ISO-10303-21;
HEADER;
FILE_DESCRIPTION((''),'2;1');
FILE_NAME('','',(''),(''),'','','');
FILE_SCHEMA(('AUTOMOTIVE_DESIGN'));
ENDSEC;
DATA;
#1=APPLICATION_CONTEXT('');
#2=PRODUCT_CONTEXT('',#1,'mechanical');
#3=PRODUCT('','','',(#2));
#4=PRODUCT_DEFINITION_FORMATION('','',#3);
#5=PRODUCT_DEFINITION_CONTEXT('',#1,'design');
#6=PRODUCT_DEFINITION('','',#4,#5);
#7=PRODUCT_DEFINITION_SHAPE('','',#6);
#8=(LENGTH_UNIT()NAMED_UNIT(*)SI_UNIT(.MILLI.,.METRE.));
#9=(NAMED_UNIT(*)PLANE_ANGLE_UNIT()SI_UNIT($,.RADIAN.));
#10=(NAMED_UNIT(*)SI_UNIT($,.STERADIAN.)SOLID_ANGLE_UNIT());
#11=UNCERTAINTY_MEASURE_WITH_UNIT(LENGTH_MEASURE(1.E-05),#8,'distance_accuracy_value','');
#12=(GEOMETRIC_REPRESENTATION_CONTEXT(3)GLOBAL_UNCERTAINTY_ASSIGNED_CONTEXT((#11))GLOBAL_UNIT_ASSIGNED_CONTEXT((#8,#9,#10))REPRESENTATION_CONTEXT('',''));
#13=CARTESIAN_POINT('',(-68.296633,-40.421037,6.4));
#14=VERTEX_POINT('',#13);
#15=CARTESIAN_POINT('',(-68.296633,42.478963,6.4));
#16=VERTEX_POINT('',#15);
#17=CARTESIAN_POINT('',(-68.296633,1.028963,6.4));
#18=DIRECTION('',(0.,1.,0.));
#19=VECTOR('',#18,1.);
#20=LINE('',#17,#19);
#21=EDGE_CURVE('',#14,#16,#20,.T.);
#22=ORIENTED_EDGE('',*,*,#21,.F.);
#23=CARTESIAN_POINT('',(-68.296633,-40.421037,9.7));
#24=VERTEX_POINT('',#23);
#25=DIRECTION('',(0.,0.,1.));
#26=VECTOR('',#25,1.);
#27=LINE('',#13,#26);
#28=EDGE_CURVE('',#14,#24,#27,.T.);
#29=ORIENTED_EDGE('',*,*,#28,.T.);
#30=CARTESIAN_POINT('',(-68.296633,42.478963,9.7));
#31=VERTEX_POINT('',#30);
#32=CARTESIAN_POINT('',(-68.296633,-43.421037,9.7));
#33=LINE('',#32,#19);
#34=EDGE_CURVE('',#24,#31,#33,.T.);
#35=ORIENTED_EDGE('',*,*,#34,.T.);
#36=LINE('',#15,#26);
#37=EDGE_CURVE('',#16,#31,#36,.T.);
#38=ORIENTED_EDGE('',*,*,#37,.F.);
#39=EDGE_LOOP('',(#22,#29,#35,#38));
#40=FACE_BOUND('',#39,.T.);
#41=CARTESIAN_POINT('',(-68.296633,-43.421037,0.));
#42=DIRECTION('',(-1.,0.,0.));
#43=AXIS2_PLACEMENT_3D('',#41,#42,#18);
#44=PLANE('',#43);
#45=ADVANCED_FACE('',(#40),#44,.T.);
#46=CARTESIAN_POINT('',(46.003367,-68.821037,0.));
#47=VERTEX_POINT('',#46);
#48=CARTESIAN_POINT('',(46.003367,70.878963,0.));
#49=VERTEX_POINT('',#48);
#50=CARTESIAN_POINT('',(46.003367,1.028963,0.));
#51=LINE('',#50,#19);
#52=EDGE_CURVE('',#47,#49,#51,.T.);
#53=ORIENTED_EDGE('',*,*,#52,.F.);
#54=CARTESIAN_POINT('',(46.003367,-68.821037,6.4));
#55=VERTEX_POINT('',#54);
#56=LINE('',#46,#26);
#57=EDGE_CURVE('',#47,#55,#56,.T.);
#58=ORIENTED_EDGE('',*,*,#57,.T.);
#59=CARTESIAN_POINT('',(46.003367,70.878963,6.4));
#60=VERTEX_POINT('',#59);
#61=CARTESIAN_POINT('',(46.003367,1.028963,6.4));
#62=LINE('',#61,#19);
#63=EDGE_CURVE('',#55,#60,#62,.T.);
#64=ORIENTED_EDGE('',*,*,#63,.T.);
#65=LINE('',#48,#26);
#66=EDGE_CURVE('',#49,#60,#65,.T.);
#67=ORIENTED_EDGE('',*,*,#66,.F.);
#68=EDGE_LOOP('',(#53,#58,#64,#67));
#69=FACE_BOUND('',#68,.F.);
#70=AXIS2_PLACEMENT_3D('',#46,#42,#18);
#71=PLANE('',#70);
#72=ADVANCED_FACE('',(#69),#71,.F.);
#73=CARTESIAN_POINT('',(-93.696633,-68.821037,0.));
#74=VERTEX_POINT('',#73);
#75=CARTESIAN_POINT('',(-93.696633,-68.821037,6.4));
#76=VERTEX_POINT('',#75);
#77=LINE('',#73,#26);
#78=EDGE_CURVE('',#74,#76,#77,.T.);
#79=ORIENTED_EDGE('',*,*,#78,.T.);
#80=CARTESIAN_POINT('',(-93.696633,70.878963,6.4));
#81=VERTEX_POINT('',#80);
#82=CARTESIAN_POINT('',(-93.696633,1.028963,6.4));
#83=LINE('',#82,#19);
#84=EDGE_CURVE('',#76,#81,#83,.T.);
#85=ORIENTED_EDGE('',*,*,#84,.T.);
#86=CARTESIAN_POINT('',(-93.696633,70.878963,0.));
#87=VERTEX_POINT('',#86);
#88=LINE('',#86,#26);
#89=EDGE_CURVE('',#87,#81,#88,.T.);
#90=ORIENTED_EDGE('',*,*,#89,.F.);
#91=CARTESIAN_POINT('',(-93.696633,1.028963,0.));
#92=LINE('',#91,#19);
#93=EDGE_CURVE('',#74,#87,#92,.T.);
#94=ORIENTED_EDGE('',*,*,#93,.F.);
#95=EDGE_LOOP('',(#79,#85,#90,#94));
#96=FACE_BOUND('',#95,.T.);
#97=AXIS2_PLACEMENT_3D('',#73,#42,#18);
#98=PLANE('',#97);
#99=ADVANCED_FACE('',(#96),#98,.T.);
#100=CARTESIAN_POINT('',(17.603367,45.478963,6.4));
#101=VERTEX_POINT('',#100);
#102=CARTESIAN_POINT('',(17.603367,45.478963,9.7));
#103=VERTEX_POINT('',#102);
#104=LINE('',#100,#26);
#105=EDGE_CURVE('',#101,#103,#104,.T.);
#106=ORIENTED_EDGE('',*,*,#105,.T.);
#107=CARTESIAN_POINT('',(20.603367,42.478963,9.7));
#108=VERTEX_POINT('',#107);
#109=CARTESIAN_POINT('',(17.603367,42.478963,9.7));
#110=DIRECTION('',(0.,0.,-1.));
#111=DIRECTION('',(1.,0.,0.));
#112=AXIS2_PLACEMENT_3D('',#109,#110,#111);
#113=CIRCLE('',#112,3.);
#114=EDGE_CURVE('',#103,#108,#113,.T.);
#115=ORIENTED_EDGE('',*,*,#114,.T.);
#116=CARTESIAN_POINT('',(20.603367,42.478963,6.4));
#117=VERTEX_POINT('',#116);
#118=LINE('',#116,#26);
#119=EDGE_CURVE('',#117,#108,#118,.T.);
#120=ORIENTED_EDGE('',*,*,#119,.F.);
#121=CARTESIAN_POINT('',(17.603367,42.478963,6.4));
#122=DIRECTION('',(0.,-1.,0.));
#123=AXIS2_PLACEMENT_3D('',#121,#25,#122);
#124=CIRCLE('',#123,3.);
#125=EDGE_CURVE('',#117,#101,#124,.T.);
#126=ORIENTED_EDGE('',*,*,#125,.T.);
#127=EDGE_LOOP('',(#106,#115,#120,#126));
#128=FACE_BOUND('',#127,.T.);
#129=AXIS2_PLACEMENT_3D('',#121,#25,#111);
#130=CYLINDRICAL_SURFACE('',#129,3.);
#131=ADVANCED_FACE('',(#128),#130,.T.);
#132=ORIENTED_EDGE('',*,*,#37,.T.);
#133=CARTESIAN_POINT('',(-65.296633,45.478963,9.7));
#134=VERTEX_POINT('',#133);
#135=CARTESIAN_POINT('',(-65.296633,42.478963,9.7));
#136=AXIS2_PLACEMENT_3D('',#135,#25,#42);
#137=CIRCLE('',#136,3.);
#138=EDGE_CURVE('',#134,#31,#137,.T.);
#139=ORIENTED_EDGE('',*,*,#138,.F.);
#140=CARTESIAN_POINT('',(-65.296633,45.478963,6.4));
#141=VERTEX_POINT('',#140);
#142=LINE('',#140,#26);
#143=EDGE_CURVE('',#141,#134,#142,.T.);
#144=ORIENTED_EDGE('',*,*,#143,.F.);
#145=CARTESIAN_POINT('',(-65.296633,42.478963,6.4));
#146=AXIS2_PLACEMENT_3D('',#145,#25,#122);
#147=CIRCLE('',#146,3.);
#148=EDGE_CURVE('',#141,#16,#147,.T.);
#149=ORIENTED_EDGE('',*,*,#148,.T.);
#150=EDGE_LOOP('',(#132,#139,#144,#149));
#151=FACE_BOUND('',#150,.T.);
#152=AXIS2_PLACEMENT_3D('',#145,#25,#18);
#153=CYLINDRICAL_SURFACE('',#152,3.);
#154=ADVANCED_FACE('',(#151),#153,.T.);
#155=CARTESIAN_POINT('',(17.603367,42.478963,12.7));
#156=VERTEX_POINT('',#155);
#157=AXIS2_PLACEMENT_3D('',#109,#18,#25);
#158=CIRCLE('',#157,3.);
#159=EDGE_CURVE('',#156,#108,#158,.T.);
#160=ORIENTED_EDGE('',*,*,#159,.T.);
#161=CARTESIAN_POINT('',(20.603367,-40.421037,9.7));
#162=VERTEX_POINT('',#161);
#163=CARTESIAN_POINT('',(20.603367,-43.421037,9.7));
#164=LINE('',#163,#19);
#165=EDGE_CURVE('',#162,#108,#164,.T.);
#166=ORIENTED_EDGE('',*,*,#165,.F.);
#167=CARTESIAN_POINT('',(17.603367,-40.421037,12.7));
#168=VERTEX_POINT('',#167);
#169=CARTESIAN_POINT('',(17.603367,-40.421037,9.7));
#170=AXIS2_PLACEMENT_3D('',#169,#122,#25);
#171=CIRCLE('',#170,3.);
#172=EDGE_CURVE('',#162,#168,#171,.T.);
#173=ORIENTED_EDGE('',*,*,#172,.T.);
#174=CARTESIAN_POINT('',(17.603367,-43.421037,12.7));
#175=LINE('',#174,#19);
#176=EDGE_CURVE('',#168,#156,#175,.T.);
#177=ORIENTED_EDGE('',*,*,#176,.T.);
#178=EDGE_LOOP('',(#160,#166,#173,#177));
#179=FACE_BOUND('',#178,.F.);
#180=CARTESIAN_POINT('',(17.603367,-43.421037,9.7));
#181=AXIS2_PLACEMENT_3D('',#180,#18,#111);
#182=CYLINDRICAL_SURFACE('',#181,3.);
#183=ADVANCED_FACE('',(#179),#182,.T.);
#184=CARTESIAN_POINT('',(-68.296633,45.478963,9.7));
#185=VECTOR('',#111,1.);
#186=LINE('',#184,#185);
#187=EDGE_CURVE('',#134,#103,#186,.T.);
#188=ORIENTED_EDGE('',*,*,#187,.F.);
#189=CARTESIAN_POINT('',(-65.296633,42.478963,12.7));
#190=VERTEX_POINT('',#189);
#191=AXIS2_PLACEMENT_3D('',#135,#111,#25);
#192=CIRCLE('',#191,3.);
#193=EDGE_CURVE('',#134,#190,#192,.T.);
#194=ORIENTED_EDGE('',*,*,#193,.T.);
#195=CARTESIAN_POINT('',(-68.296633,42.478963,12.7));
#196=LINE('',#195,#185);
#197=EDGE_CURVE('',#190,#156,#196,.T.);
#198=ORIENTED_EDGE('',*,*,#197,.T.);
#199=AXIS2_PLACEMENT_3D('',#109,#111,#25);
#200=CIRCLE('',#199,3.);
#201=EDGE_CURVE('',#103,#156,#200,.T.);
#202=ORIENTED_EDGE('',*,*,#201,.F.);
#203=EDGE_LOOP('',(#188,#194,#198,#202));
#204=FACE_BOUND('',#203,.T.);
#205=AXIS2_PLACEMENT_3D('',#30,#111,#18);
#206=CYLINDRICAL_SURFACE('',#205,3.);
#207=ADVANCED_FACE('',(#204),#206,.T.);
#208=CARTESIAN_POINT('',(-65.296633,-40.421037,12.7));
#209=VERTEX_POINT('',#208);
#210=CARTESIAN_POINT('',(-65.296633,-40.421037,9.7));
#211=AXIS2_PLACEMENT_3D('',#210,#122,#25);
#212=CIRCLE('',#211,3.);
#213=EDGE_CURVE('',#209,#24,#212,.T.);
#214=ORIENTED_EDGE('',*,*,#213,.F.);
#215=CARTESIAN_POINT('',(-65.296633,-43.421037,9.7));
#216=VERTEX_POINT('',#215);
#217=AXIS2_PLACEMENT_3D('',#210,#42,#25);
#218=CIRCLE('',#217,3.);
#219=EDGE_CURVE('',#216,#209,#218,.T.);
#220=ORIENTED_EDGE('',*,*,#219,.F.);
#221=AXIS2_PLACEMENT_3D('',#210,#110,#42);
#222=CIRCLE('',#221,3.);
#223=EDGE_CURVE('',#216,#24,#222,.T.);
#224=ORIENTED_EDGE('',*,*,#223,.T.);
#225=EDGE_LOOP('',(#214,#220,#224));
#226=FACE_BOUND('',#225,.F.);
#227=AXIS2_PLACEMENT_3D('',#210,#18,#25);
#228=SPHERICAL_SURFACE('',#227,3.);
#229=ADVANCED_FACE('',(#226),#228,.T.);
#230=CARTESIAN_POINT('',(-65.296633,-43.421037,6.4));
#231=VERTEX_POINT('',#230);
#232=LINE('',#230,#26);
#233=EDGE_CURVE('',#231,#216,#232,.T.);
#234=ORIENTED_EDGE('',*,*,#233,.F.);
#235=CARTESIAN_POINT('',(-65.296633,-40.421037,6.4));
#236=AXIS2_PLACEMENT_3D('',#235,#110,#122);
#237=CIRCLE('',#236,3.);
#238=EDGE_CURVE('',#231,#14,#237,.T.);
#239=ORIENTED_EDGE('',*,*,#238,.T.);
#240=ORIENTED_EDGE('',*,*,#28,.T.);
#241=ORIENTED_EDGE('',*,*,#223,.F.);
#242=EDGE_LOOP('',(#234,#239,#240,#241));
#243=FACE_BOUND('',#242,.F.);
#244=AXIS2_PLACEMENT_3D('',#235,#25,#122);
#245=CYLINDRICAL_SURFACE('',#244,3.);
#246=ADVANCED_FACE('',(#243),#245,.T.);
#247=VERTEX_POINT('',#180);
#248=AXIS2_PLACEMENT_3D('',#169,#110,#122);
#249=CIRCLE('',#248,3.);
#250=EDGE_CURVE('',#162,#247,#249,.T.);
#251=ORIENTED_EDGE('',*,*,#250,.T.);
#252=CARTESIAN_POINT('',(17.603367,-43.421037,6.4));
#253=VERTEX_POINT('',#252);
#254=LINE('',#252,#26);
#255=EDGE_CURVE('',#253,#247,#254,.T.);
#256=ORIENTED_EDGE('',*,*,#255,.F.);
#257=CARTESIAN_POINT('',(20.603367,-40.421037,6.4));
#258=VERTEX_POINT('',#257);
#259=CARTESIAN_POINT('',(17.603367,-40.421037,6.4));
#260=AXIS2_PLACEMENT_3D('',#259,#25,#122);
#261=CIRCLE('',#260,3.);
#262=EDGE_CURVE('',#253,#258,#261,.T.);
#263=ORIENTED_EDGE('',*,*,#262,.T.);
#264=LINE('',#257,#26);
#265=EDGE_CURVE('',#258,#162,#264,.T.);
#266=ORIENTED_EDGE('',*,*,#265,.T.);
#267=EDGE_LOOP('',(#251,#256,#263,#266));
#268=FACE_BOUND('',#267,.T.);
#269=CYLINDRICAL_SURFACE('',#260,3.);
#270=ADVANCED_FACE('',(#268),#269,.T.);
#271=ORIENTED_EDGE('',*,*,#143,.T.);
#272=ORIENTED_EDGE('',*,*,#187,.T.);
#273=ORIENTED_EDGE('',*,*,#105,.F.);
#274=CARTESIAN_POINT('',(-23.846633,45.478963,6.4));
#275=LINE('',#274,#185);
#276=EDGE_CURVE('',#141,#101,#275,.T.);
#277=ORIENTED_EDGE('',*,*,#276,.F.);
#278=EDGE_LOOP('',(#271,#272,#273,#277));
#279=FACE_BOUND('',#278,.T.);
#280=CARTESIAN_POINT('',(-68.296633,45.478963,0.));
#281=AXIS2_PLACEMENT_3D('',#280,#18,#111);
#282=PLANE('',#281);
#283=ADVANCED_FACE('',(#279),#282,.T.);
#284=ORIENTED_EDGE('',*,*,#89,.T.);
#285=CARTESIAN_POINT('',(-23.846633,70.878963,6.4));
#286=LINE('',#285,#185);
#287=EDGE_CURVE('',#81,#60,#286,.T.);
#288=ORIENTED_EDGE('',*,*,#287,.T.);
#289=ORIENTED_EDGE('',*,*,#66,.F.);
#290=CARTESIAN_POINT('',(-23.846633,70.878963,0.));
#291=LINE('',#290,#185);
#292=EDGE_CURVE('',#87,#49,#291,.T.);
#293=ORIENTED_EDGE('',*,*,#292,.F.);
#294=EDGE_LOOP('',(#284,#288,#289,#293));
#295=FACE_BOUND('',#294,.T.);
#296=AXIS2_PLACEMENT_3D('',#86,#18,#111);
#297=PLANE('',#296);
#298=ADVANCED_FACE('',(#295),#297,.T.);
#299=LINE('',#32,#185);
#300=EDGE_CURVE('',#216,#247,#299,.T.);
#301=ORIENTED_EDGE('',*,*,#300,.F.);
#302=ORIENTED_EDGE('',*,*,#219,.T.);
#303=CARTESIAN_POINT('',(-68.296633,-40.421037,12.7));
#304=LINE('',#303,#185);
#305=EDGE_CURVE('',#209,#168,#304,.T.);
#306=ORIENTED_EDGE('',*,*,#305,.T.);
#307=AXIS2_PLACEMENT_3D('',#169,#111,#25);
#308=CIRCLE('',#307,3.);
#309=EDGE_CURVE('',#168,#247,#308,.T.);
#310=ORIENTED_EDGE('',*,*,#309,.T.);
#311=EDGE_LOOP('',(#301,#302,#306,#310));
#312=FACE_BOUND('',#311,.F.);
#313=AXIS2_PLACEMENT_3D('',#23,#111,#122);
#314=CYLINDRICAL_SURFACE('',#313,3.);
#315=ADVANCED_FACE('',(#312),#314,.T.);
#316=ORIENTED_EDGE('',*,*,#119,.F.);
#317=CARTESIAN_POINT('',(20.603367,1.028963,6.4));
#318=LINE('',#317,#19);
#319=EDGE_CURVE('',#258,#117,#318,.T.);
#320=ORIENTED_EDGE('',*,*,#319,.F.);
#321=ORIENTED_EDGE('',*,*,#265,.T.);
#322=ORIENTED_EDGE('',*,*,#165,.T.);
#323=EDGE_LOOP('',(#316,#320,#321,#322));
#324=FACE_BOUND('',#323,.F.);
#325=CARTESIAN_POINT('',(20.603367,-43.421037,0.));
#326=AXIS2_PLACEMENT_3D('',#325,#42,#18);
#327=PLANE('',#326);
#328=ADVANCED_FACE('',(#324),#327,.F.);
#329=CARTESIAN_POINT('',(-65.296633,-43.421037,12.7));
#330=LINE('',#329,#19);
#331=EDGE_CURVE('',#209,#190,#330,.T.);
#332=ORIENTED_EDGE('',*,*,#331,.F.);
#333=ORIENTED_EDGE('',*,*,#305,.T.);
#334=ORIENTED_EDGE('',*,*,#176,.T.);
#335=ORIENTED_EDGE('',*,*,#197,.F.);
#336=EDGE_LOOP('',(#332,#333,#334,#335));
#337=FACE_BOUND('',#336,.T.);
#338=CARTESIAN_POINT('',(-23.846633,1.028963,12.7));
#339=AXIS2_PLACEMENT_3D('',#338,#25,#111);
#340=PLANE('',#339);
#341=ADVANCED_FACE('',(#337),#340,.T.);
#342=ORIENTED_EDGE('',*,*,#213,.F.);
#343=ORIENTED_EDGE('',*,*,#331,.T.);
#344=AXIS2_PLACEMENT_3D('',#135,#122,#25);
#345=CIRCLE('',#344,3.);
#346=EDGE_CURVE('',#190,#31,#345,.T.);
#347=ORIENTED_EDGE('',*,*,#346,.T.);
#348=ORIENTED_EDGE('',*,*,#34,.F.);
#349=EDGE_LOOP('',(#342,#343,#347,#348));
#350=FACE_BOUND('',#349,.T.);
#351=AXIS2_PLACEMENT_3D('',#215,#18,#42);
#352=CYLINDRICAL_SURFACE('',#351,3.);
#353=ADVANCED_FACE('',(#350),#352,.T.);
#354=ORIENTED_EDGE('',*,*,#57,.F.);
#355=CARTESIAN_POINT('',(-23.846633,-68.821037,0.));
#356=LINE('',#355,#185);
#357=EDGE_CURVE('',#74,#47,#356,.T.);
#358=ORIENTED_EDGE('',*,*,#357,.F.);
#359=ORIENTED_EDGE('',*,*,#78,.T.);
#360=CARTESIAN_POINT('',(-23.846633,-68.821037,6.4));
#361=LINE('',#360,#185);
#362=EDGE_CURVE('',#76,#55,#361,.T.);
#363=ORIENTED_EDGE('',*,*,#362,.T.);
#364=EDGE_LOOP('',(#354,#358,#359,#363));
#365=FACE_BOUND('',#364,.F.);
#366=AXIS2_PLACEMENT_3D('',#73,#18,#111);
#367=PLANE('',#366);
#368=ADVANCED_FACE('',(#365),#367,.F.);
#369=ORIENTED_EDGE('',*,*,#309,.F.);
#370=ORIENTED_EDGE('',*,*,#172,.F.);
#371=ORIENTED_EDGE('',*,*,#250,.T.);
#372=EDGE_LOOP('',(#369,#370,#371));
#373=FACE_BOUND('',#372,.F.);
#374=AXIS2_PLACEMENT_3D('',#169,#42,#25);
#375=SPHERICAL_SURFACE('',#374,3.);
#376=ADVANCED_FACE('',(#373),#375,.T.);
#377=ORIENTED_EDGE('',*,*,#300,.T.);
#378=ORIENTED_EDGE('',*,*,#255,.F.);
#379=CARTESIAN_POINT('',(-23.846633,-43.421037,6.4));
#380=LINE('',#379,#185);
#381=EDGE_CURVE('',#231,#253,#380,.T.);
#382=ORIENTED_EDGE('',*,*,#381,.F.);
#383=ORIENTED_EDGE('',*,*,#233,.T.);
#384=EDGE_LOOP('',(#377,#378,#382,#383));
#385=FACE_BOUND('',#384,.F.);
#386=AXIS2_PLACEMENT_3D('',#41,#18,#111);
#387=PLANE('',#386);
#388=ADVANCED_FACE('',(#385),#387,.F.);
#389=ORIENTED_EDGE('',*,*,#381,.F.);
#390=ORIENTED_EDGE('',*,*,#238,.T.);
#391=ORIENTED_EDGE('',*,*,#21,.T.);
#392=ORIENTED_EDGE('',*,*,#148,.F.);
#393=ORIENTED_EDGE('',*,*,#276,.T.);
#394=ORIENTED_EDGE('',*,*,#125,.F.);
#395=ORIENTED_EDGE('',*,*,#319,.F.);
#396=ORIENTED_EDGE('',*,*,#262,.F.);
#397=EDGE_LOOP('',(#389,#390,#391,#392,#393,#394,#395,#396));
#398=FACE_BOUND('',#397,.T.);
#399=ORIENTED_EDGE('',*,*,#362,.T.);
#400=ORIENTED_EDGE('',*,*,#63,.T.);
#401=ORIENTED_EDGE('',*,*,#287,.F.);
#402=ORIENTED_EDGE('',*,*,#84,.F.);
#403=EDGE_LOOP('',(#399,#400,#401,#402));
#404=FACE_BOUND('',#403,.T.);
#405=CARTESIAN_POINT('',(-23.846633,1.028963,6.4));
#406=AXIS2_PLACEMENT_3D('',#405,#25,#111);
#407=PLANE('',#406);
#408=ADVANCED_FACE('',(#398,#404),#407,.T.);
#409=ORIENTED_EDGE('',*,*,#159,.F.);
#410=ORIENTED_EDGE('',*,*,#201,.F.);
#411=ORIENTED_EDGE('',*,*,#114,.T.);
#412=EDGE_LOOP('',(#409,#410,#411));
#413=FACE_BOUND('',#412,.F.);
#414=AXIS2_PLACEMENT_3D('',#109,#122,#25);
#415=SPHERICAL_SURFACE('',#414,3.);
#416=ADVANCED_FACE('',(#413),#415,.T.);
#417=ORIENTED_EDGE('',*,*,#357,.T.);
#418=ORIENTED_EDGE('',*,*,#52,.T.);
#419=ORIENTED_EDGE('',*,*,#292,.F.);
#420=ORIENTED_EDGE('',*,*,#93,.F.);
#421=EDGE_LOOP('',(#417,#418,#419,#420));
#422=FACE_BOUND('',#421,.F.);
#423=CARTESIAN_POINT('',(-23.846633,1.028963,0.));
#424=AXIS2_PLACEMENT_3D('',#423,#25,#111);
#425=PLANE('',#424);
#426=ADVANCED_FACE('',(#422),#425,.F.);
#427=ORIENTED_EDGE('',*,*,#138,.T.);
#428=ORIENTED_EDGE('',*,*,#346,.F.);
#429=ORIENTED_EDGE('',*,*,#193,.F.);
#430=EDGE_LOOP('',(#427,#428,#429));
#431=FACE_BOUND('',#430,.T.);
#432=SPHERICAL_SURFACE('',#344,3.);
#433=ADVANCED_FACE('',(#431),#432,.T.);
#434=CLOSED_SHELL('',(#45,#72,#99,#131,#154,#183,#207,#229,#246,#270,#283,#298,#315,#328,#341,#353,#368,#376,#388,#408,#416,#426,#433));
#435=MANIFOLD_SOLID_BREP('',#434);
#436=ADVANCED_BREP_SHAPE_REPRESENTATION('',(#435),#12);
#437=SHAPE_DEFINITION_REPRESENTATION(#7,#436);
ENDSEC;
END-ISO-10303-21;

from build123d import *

# Parameters (mm, degrees)
F0_W     = 88.9
F0_H     = 88.9
F1_DEPTH = 12.7
F0_W_2   = 139.7
F0_H_2   = 139.7
F2_DEPTH = 6.4
F3_R     = 3


with BuildPart() as f1:
    # F0 (on Top) → F1 (new body)
    with BuildSketch(Plane.XY):
        with Locations((-23.846633, 1.028963)):
            Rectangle(F0_W, F0_H)
    extrude(amount=F1_DEPTH)

    # F0 (on Top) → F2 (join)
    with BuildSketch(Plane.XY):
        with Locations((-23.846633, 1.028963)):
            Rectangle(F0_W_2, F0_H_2)
        with Locations((-23.846633, 1.028963)):
            Rectangle(F0_W, F0_H, mode=Mode.SUBTRACT)
    extrude(amount=F2_DEPTH)

    # F3
    f3_edges = [f1.edges().sort_by_distance(p)[0] for p in [
        (-68.296633, 1.028963, 12.7),
        (-23.846633, -43.421037, 12.7),
        (20.603367, 1.028963, 12.7),
        (-23.846633, 45.478963, 12.7),
        (20.603367, -43.421037, 9.55),
        (-68.296633, -43.421037, 9.55),
        (-68.296633, 45.478963, 9.55),
        (20.603367, 45.478963, 9.55),
    ]]
    fillet(f3_edges, radius=F3_R)


solid = f1.part
